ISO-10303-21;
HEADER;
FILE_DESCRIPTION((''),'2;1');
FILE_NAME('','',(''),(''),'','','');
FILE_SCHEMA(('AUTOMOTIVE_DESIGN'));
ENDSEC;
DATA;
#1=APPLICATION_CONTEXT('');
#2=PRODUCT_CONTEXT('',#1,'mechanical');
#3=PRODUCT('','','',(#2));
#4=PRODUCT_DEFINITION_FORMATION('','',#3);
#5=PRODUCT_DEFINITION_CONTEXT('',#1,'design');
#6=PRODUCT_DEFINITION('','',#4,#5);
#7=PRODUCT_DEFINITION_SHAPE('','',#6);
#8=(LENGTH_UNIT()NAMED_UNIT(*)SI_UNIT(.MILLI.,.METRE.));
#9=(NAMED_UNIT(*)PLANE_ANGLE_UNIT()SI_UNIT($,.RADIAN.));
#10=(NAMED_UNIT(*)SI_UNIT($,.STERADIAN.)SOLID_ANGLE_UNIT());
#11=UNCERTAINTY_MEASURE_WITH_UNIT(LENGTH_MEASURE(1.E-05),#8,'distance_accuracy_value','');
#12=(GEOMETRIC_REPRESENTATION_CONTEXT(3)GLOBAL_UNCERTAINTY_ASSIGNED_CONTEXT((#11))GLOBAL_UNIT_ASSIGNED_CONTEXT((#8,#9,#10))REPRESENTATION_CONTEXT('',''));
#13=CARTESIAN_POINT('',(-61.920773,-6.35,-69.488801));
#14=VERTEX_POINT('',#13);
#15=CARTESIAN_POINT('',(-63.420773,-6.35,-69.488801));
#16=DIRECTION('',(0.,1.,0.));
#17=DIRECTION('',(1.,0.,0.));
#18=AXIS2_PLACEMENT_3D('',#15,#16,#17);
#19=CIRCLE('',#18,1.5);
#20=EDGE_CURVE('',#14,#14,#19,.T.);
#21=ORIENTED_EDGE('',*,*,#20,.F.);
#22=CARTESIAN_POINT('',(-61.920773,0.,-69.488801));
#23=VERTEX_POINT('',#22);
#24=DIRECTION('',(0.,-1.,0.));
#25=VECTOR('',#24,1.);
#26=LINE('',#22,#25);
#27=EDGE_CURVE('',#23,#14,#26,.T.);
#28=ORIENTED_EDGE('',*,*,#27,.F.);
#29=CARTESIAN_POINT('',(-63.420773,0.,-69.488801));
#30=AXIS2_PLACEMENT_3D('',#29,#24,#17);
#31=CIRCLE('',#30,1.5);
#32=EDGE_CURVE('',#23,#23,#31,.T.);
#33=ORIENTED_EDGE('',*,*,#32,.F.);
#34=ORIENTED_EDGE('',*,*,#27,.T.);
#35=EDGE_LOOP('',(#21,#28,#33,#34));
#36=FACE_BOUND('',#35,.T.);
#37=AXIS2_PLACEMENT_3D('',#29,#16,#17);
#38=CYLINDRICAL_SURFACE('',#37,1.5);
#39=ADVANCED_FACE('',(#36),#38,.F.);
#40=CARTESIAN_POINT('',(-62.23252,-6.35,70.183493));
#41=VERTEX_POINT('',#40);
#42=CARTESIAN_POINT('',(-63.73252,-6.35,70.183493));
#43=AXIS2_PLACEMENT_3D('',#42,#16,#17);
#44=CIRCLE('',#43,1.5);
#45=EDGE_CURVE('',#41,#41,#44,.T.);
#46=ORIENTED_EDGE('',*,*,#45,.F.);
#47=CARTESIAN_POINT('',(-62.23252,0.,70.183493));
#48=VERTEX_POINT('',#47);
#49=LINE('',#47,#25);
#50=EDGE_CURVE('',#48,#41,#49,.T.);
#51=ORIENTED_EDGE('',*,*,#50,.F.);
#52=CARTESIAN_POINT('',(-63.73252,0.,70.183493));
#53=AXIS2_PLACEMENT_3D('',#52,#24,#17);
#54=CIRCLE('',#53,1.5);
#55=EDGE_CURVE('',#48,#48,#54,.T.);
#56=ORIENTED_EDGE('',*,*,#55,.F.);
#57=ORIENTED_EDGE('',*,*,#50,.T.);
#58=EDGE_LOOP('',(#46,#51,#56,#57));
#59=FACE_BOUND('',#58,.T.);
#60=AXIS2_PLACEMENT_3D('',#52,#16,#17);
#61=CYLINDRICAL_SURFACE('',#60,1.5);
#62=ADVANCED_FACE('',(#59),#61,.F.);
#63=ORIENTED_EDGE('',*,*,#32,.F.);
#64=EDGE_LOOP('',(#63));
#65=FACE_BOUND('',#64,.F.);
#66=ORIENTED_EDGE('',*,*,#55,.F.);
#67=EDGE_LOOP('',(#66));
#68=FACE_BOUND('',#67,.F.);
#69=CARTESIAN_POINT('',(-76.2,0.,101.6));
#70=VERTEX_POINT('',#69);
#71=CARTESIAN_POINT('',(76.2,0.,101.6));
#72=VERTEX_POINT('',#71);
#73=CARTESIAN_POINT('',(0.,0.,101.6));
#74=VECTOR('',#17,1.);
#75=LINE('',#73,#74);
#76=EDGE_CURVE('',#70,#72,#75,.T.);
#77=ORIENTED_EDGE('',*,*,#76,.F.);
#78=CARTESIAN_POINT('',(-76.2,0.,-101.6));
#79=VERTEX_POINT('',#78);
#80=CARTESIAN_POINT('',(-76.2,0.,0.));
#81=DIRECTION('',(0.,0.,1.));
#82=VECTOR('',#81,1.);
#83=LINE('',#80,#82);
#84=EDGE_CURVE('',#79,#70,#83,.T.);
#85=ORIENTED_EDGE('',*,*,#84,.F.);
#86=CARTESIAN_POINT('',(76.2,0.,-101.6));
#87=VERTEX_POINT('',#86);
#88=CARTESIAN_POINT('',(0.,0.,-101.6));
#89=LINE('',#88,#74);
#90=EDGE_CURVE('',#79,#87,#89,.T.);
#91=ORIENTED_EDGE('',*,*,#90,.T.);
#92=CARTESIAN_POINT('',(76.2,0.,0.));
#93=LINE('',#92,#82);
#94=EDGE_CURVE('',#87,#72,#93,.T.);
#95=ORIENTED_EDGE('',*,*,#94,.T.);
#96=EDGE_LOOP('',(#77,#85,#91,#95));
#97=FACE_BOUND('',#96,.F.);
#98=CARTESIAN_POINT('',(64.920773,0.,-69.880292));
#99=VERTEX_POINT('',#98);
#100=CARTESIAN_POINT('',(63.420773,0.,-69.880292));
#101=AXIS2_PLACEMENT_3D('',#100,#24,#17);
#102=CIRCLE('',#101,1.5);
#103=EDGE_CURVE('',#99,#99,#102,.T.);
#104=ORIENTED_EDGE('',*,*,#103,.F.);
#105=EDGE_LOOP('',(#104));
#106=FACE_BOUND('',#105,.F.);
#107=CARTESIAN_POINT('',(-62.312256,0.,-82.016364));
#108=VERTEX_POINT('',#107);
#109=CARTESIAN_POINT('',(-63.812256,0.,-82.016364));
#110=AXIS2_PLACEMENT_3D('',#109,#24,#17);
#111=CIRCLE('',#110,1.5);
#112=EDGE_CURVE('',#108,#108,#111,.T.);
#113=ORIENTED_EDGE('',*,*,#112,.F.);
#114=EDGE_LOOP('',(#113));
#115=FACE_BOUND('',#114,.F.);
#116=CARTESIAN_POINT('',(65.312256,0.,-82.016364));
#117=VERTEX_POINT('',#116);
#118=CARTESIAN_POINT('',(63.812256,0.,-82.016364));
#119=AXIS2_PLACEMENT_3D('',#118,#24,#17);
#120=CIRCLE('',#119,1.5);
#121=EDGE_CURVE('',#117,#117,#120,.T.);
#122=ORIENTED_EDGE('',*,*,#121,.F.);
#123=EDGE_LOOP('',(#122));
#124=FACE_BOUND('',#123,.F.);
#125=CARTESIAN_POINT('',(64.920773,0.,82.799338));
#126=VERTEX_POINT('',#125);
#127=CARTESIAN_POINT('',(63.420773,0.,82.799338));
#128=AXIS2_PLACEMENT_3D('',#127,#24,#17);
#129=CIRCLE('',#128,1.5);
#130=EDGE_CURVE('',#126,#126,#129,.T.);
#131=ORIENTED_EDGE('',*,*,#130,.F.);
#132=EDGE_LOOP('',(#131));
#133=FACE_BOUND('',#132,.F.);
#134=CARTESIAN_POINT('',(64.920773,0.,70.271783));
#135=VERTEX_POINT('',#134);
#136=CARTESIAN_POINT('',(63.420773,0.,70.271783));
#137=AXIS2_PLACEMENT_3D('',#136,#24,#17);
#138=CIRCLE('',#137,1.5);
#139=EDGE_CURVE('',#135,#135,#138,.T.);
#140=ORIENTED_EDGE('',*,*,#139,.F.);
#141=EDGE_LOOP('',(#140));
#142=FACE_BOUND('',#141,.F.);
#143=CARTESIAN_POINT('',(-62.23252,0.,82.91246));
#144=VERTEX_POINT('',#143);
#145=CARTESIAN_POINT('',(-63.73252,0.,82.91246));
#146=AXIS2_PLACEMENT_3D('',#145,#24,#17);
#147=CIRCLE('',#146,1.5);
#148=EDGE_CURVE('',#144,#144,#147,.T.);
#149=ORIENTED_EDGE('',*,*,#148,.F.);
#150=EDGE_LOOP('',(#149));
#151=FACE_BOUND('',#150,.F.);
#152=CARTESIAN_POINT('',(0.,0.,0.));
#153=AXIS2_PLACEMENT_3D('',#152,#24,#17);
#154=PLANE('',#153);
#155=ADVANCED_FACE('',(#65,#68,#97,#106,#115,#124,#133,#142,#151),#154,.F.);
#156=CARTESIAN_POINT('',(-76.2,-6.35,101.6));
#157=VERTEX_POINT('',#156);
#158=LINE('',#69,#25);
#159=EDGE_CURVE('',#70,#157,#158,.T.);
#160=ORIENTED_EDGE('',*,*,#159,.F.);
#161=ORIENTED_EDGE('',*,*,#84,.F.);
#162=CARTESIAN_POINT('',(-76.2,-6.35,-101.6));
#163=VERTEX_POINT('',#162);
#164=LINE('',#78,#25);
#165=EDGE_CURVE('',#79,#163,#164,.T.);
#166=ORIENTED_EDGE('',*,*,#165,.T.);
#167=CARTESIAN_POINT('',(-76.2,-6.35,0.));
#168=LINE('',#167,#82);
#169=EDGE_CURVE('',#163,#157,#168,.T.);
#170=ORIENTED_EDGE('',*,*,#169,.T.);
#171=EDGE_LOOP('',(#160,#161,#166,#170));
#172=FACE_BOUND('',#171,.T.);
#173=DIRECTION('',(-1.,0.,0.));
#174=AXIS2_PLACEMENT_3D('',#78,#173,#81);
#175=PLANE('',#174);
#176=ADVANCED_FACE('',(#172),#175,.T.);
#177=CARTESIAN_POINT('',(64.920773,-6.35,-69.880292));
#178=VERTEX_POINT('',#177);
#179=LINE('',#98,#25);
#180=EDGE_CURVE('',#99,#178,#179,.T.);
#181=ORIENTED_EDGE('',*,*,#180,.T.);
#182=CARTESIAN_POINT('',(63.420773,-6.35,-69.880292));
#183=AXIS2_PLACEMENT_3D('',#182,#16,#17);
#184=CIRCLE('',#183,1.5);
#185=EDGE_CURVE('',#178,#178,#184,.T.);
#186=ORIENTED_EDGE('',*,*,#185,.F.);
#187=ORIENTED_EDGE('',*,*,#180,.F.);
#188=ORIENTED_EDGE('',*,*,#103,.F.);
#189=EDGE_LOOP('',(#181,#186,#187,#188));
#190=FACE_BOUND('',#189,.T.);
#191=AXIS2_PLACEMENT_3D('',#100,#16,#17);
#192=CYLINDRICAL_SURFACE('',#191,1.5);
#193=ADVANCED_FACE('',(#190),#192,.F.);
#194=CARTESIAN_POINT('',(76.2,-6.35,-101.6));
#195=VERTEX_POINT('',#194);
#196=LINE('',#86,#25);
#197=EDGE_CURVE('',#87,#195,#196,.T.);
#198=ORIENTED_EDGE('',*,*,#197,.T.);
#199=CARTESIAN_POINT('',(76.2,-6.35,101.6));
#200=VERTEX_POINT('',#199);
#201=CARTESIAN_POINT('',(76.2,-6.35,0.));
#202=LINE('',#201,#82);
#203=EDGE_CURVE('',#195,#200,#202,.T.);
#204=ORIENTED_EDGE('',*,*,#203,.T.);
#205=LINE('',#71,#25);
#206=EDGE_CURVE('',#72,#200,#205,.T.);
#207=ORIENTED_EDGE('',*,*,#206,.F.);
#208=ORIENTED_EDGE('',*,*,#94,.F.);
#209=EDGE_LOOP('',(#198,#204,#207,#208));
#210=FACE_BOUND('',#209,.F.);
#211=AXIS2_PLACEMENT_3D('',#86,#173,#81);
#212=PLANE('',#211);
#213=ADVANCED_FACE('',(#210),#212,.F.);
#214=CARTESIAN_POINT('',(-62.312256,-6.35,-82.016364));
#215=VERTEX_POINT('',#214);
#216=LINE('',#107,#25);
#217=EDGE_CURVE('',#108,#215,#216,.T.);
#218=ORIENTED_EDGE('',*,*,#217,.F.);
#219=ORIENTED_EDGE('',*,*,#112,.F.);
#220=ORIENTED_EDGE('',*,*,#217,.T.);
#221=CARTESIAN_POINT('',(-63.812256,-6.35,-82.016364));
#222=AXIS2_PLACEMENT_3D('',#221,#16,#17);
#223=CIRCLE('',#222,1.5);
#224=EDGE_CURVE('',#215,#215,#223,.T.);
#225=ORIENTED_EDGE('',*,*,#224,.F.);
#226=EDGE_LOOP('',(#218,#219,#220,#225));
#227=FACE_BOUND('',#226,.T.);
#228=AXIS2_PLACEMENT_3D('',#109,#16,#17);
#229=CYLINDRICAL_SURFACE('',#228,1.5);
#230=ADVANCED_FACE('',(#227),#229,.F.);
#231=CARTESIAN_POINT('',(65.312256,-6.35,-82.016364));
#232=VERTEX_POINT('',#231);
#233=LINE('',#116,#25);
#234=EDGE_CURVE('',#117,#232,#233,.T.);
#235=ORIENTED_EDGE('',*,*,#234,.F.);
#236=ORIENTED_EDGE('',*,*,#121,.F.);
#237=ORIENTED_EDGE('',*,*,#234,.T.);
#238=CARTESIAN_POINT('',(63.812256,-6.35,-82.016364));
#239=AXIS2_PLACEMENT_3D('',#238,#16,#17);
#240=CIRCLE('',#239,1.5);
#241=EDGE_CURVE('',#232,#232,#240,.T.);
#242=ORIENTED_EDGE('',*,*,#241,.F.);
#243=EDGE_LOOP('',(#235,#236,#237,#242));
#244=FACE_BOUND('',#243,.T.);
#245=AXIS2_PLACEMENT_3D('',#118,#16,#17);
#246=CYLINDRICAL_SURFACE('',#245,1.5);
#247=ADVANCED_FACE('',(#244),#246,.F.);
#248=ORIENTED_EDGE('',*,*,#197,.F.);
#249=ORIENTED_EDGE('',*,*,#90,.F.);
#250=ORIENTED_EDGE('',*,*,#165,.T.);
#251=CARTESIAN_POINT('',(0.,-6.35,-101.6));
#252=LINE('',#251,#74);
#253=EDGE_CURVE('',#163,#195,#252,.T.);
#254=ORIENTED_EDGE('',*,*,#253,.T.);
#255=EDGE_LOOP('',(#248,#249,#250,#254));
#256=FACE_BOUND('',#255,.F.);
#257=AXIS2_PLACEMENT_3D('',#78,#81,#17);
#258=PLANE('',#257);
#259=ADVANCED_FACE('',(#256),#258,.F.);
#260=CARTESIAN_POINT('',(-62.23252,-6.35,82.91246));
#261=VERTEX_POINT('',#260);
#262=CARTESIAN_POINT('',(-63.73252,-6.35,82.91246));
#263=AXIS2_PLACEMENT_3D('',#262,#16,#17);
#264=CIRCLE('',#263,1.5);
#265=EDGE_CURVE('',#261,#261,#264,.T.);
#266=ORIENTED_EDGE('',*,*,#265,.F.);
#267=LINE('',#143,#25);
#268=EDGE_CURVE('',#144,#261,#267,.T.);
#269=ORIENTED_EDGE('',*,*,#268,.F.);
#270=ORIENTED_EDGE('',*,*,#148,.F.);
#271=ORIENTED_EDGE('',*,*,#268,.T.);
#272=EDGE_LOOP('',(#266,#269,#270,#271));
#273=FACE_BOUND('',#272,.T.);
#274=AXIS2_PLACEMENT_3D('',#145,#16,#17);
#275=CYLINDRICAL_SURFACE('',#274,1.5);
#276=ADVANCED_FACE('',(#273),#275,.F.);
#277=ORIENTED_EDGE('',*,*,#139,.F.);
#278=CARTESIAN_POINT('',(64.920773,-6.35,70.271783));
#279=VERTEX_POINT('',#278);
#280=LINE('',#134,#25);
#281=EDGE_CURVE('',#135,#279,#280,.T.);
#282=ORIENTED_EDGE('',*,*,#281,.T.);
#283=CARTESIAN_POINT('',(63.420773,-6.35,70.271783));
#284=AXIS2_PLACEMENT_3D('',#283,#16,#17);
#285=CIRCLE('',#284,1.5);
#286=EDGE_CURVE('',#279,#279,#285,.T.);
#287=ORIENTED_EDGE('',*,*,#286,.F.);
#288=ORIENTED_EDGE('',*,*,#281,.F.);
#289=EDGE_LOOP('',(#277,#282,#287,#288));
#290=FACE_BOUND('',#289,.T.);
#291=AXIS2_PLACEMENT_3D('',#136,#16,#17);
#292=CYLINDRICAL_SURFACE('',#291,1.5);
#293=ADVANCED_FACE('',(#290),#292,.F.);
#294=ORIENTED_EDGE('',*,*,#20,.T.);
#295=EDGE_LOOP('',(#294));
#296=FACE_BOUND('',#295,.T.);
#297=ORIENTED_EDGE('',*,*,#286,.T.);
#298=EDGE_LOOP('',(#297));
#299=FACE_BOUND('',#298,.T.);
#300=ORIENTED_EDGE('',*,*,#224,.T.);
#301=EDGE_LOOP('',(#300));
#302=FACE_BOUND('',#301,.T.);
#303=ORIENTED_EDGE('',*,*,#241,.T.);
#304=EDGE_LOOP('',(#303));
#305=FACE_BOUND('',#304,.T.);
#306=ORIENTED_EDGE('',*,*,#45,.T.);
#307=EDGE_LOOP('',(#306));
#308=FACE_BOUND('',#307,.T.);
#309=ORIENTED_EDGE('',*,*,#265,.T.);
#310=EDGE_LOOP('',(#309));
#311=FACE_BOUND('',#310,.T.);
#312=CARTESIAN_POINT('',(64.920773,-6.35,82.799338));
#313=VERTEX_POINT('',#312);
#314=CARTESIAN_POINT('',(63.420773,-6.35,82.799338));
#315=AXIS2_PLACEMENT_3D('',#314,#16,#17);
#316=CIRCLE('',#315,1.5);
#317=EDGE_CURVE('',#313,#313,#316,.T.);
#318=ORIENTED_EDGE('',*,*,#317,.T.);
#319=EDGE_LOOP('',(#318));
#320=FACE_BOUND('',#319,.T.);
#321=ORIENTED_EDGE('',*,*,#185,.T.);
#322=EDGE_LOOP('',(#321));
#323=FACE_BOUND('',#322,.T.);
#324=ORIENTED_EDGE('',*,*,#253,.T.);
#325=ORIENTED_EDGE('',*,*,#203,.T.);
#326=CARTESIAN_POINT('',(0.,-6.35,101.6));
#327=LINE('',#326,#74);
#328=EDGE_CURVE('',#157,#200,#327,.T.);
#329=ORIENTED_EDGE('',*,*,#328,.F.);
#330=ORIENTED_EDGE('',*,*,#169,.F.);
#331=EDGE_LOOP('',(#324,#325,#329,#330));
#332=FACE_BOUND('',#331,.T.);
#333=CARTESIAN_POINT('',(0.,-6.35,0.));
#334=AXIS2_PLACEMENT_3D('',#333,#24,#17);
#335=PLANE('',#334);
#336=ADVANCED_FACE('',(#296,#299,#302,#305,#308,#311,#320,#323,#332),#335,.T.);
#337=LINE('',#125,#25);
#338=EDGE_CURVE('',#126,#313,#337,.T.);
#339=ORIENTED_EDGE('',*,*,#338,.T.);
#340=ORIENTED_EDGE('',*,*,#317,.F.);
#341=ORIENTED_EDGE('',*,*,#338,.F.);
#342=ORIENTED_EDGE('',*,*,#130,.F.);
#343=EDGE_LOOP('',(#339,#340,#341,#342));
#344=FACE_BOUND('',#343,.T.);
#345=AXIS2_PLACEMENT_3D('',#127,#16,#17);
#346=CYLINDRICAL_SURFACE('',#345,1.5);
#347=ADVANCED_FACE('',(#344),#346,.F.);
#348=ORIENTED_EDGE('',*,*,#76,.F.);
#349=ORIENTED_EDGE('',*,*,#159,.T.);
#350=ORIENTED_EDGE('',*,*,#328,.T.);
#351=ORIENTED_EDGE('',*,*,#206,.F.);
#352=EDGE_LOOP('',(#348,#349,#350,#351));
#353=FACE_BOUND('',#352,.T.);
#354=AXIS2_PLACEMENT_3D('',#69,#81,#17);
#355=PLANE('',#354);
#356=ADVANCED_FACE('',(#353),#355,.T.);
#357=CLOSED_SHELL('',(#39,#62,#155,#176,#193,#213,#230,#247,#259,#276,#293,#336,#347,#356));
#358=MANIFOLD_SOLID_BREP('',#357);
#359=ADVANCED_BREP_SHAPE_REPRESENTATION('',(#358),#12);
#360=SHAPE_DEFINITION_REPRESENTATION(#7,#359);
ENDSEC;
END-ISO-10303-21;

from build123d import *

# Parameters (mm, degrees)
F0_W      = 152.4
F0_H      = 203.2
F1_DEPTH  = 6.35
F2_R      = 1.5
F9_DEPTH  = 50.8
F3_R      = 1.5
F4_R      = 1.5
F10_DEPTH = 127
F6_R      = 1.5
F5_R      = 1.5
F11_DEPTH = 127
F8_R      = 1.5
F7_R      = 1.5
F12_DEPTH = 76.2


with BuildPart() as f1:
    # F0 (on Front) → F1 (new body)
    with BuildSketch(Plane.XZ):
        Rectangle(F0_W, F0_H)
    extrude(amount=F1_DEPTH)

    # F2 (on Front) → F9 (cut)
    with BuildSketch(Plane.XZ):
        with Locations((-63.73252, 82.91246)):
            Circle(F2_R)
        with Locations((-63.73252, 70.183493)):
            Circle(F2_R)
    extrude(amount=F9_DEPTH, mode=Mode.SUBTRACT)

    # F3 (on Front) + F4 (on Front) → F10 (cut)
    with BuildSketch(Plane.XZ):
        with Locations((63.420773, 82.799338)):
            Circle(F3_R)
    with BuildSketch(Plane.XZ):
        with Locations((63.420773, 70.271783)):
            Circle(F4_R)
    extrude(amount=F10_DEPTH, mode=Mode.SUBTRACT)

    # F6 (on Front) + F5 (on Front) → F11 (cut)
    with BuildSketch(Plane.XZ):
        with Locations((-63.420773, -69.488801)):
            Circle(F6_R)
    with BuildSketch(Plane.XZ):
        with Locations((-63.812256, -82.016364)):
            Circle(F5_R)
    extrude(amount=F11_DEPTH, mode=Mode.SUBTRACT)

    # F8 (on Front) + F7 (on Front) → F12 (cut)
    with BuildSketch(Plane.XZ):
        with Locations((63.420773, -69.880292)):
            Circle(F8_R)
    with BuildSketch(Plane.XZ):
        with Locations((63.812256, -82.016364)):
            Circle(F7_R)
    extrude(amount=F12_DEPTH, mode=Mode.SUBTRACT)


solid = f1.part
